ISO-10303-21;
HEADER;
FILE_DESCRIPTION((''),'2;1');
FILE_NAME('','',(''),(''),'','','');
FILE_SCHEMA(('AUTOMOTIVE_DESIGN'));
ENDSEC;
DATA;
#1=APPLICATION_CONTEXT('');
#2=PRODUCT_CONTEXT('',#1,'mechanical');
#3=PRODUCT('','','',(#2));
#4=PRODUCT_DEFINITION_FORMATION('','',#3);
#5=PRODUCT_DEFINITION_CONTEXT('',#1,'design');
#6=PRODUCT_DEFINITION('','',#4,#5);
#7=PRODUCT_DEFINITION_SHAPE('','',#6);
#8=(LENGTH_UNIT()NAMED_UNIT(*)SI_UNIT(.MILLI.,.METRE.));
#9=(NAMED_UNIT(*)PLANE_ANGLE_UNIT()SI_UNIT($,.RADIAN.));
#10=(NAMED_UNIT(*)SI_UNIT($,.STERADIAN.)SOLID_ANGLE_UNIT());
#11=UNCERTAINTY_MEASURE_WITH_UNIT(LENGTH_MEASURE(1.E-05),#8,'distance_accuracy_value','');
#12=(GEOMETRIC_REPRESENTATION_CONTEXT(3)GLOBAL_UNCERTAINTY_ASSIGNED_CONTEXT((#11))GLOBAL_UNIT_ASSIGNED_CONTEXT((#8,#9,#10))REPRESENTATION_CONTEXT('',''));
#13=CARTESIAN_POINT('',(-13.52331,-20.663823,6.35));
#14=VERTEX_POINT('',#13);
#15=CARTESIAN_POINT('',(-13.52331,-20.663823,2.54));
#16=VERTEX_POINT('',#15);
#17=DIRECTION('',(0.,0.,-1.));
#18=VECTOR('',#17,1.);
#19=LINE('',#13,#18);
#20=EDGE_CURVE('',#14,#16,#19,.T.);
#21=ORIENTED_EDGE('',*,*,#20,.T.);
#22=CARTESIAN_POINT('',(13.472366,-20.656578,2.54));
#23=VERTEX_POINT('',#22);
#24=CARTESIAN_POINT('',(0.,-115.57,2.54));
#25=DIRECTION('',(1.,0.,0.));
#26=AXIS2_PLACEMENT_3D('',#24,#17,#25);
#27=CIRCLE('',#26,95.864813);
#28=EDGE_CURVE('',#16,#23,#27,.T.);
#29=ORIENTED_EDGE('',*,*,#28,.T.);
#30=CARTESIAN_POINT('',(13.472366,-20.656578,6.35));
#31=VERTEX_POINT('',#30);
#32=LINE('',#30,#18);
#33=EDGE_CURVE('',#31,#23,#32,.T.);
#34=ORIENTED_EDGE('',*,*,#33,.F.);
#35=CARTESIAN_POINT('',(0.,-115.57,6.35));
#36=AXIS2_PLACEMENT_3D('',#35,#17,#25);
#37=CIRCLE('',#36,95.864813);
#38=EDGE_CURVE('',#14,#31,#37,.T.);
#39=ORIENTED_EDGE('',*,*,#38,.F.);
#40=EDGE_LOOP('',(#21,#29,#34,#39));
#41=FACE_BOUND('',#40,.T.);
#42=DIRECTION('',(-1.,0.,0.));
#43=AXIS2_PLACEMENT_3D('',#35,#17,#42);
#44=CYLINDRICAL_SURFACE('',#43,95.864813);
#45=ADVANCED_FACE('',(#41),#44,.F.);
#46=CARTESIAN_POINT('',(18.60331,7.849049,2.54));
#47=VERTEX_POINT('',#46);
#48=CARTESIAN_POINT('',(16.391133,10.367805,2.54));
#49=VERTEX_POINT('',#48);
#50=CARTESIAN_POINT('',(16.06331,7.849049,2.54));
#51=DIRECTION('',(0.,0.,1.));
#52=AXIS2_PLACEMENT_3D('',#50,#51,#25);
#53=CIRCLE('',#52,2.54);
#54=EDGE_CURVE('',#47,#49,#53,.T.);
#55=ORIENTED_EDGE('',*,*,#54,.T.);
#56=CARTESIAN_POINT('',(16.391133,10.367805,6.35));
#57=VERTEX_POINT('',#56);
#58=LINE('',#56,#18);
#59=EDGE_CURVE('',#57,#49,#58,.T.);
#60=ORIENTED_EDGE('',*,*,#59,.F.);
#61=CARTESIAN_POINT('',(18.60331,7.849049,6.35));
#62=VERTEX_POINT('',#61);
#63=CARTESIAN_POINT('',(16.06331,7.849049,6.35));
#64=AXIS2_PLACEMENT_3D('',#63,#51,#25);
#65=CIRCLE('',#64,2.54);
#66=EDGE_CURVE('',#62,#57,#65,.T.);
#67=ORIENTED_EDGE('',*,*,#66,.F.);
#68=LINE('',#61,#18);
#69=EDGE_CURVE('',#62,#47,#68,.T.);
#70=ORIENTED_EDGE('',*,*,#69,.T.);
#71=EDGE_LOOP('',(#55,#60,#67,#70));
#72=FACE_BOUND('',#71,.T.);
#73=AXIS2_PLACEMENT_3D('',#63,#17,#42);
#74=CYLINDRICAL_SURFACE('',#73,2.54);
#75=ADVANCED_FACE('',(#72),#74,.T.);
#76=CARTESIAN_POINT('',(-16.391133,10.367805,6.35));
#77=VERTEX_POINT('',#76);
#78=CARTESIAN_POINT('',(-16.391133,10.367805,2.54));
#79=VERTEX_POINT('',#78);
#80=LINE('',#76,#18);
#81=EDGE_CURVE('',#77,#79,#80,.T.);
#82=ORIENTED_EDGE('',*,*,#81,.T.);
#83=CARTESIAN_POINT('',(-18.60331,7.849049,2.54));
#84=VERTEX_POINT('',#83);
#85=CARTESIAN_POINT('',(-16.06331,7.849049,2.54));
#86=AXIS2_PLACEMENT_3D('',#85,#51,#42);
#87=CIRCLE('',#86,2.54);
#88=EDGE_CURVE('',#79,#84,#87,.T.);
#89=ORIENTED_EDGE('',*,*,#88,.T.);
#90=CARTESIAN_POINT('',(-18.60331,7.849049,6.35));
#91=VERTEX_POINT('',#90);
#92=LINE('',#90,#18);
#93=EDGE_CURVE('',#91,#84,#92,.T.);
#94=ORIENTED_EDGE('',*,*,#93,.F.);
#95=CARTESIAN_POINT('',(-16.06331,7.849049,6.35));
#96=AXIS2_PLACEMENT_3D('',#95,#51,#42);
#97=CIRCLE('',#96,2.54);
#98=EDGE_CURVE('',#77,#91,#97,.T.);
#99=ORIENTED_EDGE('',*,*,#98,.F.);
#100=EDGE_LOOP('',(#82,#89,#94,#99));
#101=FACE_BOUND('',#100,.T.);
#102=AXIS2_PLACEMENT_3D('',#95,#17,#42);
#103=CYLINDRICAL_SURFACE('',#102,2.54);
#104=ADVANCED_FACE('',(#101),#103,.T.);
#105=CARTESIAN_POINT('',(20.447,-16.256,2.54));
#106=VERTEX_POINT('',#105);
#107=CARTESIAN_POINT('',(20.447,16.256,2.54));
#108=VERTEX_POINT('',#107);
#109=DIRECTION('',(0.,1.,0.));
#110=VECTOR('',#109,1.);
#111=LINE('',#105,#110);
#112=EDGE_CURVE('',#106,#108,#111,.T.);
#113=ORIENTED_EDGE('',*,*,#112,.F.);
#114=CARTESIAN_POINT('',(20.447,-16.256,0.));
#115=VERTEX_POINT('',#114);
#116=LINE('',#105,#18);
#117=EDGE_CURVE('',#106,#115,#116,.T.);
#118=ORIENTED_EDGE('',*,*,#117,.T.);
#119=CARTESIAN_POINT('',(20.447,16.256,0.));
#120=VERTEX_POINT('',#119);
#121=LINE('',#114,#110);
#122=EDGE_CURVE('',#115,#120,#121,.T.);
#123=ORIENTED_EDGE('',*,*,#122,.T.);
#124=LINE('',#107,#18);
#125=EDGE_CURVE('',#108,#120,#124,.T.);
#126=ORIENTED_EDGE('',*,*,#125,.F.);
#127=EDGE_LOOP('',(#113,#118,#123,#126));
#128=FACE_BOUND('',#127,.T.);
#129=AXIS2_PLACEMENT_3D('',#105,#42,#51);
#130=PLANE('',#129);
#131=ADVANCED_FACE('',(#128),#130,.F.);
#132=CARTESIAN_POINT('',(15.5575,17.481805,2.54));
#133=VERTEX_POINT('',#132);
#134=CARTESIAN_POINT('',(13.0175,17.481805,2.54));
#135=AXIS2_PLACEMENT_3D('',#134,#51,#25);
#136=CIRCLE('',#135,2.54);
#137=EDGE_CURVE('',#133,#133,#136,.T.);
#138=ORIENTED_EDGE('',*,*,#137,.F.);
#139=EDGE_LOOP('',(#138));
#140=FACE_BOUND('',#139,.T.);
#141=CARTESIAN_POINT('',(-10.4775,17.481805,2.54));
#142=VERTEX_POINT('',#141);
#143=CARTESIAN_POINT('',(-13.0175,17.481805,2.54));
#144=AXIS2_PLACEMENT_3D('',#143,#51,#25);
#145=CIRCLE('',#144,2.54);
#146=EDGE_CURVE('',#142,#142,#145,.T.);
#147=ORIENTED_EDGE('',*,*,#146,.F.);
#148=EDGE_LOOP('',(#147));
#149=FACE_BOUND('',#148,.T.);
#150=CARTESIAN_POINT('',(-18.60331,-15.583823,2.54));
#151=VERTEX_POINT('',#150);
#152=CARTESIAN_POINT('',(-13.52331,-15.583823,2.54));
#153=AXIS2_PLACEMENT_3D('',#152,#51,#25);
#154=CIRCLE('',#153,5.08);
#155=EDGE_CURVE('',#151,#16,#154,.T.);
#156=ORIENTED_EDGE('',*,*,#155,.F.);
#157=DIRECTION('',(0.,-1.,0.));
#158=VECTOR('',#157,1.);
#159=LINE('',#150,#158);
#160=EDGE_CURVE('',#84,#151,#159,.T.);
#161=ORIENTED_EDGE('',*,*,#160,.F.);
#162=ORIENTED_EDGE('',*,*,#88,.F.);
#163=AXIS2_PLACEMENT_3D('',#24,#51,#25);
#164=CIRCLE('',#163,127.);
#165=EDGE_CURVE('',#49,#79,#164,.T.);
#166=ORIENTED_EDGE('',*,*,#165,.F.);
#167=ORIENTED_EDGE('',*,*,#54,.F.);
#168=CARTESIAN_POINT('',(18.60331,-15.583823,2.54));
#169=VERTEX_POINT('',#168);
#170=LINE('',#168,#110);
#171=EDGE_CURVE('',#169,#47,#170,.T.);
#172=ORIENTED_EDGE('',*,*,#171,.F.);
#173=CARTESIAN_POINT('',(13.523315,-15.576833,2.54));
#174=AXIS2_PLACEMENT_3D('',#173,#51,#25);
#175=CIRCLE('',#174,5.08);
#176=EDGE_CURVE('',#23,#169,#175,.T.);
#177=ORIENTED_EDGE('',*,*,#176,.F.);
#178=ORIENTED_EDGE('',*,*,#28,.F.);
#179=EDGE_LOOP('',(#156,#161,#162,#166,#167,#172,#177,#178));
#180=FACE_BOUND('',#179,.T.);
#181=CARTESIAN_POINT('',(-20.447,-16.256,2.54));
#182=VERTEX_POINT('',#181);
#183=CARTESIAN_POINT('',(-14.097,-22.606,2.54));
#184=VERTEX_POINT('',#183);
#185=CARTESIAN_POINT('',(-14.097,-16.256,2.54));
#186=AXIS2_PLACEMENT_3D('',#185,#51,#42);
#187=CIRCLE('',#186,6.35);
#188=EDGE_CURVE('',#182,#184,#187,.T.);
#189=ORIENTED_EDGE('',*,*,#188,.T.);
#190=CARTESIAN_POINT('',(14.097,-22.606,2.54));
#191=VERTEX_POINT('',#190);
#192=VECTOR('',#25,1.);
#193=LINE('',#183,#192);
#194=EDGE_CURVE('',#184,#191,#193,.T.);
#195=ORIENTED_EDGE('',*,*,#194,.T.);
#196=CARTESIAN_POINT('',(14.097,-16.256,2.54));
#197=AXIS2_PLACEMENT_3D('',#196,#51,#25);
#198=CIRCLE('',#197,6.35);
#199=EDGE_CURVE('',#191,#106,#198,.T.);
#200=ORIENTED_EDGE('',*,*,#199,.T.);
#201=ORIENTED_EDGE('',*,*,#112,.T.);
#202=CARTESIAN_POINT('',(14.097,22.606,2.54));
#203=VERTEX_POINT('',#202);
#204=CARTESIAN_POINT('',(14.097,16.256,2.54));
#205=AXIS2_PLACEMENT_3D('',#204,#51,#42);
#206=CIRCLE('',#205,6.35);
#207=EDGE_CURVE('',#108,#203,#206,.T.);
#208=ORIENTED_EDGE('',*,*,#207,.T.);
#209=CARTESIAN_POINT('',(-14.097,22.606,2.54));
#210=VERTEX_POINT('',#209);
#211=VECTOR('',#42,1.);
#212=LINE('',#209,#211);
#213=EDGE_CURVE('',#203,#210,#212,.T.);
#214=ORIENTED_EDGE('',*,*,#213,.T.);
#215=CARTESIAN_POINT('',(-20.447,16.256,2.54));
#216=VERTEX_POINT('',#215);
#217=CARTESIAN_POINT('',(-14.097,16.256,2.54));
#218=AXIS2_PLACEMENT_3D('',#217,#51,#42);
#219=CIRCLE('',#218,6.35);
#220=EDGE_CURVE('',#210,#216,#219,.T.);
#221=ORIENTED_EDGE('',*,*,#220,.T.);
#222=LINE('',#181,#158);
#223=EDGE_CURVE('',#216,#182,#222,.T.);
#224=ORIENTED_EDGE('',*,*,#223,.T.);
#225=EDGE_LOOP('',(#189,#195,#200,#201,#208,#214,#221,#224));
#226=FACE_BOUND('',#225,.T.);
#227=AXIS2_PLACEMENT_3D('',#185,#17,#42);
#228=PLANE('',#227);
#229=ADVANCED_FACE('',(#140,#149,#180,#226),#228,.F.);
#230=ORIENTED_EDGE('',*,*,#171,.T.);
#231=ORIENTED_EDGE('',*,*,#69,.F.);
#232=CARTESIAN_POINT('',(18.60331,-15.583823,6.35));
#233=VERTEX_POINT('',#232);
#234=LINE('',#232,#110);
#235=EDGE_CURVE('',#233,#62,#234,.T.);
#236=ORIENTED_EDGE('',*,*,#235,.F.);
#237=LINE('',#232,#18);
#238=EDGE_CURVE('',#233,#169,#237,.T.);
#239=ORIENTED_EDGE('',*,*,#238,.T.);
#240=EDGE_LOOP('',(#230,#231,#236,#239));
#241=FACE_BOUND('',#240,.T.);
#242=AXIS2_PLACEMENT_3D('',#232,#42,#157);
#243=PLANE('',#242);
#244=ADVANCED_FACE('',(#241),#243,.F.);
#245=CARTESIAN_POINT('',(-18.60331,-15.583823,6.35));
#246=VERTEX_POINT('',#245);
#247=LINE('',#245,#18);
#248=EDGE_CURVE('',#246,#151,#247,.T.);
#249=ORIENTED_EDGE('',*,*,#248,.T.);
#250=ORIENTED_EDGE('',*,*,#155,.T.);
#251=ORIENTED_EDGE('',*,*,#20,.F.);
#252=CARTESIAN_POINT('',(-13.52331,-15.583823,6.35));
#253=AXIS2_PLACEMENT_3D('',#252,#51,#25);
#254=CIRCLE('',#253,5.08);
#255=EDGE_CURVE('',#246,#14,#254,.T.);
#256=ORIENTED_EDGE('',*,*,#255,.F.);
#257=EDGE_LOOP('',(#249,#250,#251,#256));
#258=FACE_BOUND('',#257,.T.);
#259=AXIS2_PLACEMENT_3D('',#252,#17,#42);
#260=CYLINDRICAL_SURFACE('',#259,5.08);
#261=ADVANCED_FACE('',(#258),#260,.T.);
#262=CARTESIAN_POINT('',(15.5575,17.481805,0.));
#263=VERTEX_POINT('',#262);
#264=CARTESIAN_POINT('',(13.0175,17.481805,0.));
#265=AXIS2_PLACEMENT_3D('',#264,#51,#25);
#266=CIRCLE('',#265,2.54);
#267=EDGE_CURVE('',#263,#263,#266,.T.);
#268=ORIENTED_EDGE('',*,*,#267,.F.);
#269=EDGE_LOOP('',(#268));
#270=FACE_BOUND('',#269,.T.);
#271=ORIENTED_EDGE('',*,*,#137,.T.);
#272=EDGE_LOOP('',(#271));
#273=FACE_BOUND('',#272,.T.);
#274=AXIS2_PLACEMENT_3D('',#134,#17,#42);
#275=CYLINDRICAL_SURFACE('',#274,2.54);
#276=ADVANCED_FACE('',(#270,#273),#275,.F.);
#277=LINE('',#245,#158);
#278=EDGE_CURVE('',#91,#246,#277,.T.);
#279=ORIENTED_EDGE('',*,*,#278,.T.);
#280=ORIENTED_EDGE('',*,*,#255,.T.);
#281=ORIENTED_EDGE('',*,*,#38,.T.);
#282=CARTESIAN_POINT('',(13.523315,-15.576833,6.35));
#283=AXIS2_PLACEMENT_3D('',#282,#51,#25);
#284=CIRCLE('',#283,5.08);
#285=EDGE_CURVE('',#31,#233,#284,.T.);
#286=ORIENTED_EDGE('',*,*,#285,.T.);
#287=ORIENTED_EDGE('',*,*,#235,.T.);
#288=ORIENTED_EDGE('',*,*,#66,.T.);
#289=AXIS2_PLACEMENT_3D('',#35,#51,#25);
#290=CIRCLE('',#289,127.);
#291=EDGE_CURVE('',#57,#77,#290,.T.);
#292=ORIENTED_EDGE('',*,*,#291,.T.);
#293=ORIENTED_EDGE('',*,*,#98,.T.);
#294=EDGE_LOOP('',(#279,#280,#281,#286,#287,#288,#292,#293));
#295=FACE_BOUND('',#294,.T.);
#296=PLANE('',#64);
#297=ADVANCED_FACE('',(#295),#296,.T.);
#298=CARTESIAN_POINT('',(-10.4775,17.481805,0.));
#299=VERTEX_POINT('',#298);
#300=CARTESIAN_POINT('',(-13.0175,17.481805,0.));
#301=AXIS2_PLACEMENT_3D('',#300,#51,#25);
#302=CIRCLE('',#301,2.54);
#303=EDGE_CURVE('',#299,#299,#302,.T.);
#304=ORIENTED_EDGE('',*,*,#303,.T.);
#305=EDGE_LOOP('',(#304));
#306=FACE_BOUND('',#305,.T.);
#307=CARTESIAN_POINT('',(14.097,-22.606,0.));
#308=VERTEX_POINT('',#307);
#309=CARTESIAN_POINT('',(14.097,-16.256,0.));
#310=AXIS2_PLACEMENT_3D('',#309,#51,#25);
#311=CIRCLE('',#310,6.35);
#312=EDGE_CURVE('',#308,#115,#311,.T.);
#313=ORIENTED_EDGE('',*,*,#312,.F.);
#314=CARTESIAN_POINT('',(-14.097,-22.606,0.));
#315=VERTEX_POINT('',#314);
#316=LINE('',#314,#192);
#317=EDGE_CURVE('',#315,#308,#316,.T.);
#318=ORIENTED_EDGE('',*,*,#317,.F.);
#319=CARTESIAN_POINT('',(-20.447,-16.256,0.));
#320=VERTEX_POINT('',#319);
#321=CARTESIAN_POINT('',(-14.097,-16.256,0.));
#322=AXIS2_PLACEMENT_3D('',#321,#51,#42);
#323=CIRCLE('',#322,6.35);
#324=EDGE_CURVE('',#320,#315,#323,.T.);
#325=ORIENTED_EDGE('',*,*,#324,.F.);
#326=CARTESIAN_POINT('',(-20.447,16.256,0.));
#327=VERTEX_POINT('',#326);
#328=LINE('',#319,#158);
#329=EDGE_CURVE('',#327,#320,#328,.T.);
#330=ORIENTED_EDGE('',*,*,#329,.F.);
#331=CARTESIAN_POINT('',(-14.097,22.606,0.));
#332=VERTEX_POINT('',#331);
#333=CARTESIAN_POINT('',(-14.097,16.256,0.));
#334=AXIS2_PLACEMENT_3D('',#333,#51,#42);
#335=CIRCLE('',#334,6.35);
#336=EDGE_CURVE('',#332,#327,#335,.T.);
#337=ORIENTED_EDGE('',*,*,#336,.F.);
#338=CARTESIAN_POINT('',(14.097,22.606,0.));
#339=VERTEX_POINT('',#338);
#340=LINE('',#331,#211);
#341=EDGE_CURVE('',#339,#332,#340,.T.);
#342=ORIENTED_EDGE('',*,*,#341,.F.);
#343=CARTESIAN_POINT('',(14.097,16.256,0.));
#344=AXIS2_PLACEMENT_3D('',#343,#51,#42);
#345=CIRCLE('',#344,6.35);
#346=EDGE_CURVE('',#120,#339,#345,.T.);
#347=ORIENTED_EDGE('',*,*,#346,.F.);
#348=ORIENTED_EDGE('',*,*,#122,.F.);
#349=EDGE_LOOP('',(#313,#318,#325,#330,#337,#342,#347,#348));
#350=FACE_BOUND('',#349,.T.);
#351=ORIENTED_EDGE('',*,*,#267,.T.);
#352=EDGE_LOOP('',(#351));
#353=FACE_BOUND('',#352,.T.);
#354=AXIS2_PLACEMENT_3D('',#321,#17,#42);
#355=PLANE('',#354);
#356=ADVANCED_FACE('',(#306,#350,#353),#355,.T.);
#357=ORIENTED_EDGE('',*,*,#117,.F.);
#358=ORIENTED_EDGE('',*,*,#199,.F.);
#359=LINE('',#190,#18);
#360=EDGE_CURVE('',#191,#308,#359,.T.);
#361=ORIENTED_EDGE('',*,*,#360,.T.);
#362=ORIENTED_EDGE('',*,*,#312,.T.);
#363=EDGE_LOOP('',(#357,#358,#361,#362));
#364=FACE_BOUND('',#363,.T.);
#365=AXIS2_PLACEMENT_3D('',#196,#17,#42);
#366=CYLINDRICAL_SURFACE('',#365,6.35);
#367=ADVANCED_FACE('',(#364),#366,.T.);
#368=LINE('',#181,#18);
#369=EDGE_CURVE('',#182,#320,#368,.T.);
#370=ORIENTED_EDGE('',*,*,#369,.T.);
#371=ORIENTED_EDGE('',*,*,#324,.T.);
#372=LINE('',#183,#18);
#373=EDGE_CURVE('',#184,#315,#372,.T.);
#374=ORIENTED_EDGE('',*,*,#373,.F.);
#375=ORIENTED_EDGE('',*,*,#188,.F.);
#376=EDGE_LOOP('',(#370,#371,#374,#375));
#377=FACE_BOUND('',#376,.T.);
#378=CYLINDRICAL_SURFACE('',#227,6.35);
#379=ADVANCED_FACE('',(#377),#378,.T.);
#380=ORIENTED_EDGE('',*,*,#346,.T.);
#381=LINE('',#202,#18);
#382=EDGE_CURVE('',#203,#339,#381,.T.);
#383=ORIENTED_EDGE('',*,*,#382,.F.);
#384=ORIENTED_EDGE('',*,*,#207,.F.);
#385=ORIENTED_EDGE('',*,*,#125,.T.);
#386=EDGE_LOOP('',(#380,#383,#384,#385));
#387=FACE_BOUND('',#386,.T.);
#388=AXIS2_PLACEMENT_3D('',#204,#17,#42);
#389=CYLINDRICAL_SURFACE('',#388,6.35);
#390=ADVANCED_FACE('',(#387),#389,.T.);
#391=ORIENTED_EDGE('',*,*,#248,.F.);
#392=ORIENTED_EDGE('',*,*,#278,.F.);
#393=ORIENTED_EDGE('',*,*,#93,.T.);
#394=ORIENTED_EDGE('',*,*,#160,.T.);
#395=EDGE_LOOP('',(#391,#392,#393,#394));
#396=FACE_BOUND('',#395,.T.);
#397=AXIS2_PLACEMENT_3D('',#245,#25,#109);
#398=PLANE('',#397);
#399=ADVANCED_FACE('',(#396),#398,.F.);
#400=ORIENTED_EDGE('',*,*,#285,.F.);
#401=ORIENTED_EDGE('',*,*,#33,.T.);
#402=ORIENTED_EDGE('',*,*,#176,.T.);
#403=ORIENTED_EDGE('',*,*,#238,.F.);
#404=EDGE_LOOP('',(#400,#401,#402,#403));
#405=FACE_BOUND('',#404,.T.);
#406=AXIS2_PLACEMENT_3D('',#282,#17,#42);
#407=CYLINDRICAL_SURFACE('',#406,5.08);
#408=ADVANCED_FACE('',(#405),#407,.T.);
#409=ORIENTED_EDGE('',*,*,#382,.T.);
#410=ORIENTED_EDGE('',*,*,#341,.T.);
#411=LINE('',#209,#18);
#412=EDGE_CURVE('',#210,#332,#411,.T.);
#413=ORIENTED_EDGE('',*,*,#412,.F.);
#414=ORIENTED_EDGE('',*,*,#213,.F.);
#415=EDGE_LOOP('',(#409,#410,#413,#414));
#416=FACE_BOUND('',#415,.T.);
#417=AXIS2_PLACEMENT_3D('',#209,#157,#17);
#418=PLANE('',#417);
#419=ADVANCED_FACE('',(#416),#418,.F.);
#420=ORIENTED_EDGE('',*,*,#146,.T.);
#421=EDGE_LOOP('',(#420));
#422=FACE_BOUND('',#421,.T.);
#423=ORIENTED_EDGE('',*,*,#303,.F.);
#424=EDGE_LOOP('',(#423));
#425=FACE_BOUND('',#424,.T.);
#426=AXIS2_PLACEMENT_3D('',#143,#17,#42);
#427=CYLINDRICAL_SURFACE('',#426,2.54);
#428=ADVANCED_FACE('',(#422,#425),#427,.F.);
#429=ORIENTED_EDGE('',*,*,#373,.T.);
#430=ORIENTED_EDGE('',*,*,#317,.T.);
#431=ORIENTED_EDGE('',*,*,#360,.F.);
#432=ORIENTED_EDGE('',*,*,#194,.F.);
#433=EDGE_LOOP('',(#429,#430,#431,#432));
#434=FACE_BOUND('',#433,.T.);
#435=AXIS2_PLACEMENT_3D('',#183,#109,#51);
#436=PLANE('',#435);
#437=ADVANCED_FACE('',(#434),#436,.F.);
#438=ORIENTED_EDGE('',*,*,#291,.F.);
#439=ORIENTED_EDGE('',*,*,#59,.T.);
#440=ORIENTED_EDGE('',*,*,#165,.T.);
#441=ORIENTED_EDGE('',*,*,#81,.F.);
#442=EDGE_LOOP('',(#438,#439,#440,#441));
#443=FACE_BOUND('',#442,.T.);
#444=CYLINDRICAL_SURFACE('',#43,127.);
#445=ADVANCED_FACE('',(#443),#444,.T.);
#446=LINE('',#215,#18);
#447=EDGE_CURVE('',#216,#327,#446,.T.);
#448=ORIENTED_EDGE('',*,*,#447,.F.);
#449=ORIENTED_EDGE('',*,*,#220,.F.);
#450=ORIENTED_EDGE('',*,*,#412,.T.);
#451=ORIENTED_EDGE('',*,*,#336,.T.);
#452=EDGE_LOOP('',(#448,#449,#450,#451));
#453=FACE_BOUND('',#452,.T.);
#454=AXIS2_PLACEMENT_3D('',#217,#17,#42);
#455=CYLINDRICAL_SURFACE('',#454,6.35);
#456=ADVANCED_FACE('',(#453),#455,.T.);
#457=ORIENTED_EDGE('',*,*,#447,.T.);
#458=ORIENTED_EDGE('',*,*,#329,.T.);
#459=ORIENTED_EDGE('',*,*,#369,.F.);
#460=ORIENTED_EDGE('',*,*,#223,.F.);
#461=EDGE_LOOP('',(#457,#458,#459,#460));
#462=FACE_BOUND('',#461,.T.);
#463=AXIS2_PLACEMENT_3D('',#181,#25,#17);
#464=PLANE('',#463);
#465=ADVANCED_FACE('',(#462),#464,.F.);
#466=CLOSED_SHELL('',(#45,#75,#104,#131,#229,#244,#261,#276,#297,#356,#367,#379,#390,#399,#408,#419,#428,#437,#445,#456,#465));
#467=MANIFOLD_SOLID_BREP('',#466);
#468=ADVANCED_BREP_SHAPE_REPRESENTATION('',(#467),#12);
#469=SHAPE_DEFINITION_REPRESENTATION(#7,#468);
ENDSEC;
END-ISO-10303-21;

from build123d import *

# Parameters (mm, degrees)
SKETCH1_R           = 2.54
BOSS_EXTRUDE1_DEPTH = 2.54
BOSS_EXTRUDE2_DEPTH = 3.81


with BuildPart() as part:
    # Sketch1 → Boss-Extrude1 (new body)
    with BuildSketch(Plane.XY):
        with BuildLine():
            Line((-14.097, -22.606), (14.097, -22.606))
            ThreePointArc((14.097, -22.606), (18.587128061, -20.746128061), (20.447, -16.256))
            Line((20.447, -16.256), (20.447, 16.256))
            ThreePointArc((20.447, 16.256), (18.587128061, 20.746128061), (14.097, 22.606))
            Line((14.097, 22.606), (-14.097, 22.606))
            ThreePointArc((-14.097, 22.606), (-18.587128061, 20.746128061), (-20.447, 16.256))
            Line((-20.447, 16.256), (-20.447, -16.256))
            ThreePointArc((-20.447, -16.256), (-18.587128061, -20.746128061), (-14.097, -22.606))
        make_face()
        with Locations((13.0175, 17.481804688)):
            Circle(SKETCH1_R, mode=Mode.SUBTRACT)
        with Locations((-13.0175, 17.481804688)):
            Circle(SKETCH1_R, mode=Mode.SUBTRACT)
    extrude(amount=BOSS_EXTRUDE1_DEPTH)

    # Sketch2 → Boss-Extrude2 (add)
    with BuildSketch(Plane.XY.offset(2.54)):
        with BuildLine():
            Line((-18.603310345, -15.583823179), (-18.603310345, 7.849049019))
            ThreePointArc((-18.603310345, 7.849049019), (-17.97174813, 9.525194962), (-16.391133005, 10.367805121))
            ThreePointArc((-16.391133005, 10.367805121), (0, 11.43), (16.391133005, 10.367805121))
            ThreePointArc((16.391133005, 10.367805121), (17.97174813, 9.525194962), (18.603310345, 7.849049019))
            Line((18.603310345, 7.849049019), (18.603310345, -15.583823179))
            ThreePointArc((18.603310345, -15.583823179), (17.094874343, -19.189362325), (13.472365536, -20.656577934))
            ThreePointArc((13.472365536, -20.656577934), (-0.025728715, -19.705190714), (-13.523310345, -20.663823179))
            ThreePointArc((-13.523310345, -20.663823179), (-17.115412793, -19.175925628), (-18.603310345, -15.583823179))
        make_face()
    extrude(amount=BOSS_EXTRUDE2_DEPTH)


solid = part.part
